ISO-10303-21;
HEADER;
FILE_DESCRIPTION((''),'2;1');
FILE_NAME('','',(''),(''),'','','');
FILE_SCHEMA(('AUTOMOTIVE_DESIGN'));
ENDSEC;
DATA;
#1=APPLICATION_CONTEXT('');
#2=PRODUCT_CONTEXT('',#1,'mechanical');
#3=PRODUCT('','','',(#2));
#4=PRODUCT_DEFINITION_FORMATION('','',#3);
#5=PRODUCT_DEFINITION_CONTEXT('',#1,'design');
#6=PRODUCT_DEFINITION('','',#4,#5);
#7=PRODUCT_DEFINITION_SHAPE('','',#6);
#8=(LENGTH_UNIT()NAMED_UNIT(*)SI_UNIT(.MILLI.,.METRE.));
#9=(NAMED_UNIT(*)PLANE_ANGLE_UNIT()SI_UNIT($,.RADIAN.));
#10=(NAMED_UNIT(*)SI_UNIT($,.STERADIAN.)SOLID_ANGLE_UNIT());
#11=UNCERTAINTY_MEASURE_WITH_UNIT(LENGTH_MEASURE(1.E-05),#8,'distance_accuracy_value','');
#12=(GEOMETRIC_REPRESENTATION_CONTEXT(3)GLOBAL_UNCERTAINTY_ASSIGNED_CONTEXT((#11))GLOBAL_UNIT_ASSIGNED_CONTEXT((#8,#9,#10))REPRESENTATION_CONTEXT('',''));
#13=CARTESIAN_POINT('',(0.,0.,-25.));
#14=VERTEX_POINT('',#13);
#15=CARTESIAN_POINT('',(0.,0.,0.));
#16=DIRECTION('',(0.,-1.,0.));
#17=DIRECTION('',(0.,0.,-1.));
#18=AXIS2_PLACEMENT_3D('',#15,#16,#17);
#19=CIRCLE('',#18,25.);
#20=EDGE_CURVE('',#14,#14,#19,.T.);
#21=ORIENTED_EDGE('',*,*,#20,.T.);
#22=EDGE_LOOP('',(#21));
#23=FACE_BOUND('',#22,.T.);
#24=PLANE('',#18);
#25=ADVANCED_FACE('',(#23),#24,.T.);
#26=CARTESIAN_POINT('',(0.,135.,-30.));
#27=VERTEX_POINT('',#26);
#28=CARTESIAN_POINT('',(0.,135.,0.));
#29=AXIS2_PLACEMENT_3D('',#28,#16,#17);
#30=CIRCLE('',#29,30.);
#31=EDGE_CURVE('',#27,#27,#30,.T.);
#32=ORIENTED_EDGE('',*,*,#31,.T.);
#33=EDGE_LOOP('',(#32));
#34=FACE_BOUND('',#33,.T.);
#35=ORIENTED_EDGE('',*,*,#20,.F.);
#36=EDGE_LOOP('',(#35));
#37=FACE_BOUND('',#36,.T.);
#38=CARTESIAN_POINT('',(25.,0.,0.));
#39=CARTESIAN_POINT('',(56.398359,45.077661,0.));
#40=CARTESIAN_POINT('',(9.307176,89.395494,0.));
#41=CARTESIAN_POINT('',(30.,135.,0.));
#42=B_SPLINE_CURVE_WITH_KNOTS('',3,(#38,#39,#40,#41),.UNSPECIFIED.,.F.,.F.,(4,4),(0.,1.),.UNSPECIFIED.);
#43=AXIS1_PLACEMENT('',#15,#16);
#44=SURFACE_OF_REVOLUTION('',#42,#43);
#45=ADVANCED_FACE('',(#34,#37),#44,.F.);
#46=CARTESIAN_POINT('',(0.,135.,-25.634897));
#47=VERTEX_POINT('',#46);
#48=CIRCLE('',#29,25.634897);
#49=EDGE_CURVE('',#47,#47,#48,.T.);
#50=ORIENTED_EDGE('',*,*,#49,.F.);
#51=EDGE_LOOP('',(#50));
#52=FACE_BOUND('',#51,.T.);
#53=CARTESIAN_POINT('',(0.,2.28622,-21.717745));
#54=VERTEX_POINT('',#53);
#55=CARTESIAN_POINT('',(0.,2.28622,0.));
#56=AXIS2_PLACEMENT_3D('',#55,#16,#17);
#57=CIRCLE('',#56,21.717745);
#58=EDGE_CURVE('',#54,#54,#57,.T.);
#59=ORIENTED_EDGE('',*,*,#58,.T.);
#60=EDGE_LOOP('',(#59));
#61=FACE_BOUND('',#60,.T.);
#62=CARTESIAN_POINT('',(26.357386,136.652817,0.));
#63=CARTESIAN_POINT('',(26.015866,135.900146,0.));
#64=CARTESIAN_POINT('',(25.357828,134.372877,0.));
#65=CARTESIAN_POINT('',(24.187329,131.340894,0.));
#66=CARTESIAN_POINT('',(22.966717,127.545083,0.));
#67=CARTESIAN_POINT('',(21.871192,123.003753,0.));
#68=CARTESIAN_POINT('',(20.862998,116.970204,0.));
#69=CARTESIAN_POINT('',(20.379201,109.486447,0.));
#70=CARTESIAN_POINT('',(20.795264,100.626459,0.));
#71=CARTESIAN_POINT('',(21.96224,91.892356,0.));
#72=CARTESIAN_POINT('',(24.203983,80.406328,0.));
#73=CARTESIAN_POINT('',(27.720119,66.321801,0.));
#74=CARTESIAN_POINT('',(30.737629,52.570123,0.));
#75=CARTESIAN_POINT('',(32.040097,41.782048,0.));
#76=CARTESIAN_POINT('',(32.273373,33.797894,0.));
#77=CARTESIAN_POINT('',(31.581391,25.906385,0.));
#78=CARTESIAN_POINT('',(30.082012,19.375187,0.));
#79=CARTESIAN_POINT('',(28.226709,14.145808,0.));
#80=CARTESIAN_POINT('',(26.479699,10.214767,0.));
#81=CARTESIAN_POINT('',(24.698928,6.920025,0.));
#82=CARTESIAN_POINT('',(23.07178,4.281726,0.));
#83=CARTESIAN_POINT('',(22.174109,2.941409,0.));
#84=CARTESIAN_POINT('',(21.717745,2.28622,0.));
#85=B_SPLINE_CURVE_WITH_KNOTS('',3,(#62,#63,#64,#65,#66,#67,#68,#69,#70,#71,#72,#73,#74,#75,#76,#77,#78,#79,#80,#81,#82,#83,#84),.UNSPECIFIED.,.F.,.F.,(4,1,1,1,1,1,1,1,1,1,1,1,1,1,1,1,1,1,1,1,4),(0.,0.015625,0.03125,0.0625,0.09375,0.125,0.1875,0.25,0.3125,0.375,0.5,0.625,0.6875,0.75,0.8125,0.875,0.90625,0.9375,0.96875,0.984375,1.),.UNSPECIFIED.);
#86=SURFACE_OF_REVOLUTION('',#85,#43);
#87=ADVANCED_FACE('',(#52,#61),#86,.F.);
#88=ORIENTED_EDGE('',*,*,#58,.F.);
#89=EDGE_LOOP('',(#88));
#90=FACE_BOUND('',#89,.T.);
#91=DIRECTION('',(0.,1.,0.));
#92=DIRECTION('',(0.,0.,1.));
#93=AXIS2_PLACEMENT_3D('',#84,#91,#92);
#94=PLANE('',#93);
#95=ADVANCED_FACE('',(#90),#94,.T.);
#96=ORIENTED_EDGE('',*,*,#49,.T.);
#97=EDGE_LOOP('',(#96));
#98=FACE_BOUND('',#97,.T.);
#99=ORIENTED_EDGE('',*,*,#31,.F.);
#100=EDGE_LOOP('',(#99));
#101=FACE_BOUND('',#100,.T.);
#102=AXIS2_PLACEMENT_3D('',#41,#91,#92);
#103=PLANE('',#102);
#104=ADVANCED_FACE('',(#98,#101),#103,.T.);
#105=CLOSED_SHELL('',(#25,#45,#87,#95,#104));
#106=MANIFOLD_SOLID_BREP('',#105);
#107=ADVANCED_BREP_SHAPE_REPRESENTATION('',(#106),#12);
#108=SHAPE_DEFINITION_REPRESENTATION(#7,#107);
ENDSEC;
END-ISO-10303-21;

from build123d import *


with BuildPart() as part:
    # Sketch1 → Revolve1 (revolve)
    with BuildSketch(Plane.XY):
        with BuildLine():
            Line((0, 0), (25, 0))
            add(Edge.make_bspline(
                [(25, 0), (56.398358551, 45.077660663), (9.307176018, 89.395493607), (30, 135)],
                knots=[0, 0, 0, 0, 1, 1, 1, 1], degree=3))
            Line((30, 135), (25.634896862, 135))
            add(Edge.make_bspline(
                [(21.717744664, 2.286219568), (22.17410939, 2.941408411), (23.071781004, 4.281724892), (24.698929207, 6.920023214), (26.47970086, 10.214764374), (28.226713031, 14.145803438), (30.082017277, 19.375181203), (31.581398794, 25.906377431), (32.27338388, 33.797885185), (32.040110234, 41.782038081), (30.737647037, 52.570111715), (27.720142097, 66.321789494), (24.204012322, 80.406315163), (21.96227447, 91.892342395), (20.795301867, 100.626445363), (20.379241641, 109.486432062), (20.863041994, 116.970187044), (21.871237784, 123.003735677), (22.966764382, 127.545063938), (24.187377509, 131.340874035), (25.145247632, 133.822074392), (25.547373753, 134.79185494), (25.634896862, 135)],
                knots=[0, 0, 0, 0, 0.015625, 0.03125, 0.0625, 0.09375, 0.125, 0.1875, 0.25, 0.3125, 0.375, 0.5, 0.625, 0.6875, 0.75, 0.8125, 0.875, 0.90625, 0.9375, 0.96875, 0.984375, 0.988646412, 0.988646412, 0.988646412, 0.988646412], degree=3))
            Line((21.717744664, 2.286219568), (0, 2.286219568))
            Line((0, 2.286219568), (0, 0))
        make_face()
    revolve(axis=Axis((0, 0, 0), (0, 1, 0)))


solid = part.part
